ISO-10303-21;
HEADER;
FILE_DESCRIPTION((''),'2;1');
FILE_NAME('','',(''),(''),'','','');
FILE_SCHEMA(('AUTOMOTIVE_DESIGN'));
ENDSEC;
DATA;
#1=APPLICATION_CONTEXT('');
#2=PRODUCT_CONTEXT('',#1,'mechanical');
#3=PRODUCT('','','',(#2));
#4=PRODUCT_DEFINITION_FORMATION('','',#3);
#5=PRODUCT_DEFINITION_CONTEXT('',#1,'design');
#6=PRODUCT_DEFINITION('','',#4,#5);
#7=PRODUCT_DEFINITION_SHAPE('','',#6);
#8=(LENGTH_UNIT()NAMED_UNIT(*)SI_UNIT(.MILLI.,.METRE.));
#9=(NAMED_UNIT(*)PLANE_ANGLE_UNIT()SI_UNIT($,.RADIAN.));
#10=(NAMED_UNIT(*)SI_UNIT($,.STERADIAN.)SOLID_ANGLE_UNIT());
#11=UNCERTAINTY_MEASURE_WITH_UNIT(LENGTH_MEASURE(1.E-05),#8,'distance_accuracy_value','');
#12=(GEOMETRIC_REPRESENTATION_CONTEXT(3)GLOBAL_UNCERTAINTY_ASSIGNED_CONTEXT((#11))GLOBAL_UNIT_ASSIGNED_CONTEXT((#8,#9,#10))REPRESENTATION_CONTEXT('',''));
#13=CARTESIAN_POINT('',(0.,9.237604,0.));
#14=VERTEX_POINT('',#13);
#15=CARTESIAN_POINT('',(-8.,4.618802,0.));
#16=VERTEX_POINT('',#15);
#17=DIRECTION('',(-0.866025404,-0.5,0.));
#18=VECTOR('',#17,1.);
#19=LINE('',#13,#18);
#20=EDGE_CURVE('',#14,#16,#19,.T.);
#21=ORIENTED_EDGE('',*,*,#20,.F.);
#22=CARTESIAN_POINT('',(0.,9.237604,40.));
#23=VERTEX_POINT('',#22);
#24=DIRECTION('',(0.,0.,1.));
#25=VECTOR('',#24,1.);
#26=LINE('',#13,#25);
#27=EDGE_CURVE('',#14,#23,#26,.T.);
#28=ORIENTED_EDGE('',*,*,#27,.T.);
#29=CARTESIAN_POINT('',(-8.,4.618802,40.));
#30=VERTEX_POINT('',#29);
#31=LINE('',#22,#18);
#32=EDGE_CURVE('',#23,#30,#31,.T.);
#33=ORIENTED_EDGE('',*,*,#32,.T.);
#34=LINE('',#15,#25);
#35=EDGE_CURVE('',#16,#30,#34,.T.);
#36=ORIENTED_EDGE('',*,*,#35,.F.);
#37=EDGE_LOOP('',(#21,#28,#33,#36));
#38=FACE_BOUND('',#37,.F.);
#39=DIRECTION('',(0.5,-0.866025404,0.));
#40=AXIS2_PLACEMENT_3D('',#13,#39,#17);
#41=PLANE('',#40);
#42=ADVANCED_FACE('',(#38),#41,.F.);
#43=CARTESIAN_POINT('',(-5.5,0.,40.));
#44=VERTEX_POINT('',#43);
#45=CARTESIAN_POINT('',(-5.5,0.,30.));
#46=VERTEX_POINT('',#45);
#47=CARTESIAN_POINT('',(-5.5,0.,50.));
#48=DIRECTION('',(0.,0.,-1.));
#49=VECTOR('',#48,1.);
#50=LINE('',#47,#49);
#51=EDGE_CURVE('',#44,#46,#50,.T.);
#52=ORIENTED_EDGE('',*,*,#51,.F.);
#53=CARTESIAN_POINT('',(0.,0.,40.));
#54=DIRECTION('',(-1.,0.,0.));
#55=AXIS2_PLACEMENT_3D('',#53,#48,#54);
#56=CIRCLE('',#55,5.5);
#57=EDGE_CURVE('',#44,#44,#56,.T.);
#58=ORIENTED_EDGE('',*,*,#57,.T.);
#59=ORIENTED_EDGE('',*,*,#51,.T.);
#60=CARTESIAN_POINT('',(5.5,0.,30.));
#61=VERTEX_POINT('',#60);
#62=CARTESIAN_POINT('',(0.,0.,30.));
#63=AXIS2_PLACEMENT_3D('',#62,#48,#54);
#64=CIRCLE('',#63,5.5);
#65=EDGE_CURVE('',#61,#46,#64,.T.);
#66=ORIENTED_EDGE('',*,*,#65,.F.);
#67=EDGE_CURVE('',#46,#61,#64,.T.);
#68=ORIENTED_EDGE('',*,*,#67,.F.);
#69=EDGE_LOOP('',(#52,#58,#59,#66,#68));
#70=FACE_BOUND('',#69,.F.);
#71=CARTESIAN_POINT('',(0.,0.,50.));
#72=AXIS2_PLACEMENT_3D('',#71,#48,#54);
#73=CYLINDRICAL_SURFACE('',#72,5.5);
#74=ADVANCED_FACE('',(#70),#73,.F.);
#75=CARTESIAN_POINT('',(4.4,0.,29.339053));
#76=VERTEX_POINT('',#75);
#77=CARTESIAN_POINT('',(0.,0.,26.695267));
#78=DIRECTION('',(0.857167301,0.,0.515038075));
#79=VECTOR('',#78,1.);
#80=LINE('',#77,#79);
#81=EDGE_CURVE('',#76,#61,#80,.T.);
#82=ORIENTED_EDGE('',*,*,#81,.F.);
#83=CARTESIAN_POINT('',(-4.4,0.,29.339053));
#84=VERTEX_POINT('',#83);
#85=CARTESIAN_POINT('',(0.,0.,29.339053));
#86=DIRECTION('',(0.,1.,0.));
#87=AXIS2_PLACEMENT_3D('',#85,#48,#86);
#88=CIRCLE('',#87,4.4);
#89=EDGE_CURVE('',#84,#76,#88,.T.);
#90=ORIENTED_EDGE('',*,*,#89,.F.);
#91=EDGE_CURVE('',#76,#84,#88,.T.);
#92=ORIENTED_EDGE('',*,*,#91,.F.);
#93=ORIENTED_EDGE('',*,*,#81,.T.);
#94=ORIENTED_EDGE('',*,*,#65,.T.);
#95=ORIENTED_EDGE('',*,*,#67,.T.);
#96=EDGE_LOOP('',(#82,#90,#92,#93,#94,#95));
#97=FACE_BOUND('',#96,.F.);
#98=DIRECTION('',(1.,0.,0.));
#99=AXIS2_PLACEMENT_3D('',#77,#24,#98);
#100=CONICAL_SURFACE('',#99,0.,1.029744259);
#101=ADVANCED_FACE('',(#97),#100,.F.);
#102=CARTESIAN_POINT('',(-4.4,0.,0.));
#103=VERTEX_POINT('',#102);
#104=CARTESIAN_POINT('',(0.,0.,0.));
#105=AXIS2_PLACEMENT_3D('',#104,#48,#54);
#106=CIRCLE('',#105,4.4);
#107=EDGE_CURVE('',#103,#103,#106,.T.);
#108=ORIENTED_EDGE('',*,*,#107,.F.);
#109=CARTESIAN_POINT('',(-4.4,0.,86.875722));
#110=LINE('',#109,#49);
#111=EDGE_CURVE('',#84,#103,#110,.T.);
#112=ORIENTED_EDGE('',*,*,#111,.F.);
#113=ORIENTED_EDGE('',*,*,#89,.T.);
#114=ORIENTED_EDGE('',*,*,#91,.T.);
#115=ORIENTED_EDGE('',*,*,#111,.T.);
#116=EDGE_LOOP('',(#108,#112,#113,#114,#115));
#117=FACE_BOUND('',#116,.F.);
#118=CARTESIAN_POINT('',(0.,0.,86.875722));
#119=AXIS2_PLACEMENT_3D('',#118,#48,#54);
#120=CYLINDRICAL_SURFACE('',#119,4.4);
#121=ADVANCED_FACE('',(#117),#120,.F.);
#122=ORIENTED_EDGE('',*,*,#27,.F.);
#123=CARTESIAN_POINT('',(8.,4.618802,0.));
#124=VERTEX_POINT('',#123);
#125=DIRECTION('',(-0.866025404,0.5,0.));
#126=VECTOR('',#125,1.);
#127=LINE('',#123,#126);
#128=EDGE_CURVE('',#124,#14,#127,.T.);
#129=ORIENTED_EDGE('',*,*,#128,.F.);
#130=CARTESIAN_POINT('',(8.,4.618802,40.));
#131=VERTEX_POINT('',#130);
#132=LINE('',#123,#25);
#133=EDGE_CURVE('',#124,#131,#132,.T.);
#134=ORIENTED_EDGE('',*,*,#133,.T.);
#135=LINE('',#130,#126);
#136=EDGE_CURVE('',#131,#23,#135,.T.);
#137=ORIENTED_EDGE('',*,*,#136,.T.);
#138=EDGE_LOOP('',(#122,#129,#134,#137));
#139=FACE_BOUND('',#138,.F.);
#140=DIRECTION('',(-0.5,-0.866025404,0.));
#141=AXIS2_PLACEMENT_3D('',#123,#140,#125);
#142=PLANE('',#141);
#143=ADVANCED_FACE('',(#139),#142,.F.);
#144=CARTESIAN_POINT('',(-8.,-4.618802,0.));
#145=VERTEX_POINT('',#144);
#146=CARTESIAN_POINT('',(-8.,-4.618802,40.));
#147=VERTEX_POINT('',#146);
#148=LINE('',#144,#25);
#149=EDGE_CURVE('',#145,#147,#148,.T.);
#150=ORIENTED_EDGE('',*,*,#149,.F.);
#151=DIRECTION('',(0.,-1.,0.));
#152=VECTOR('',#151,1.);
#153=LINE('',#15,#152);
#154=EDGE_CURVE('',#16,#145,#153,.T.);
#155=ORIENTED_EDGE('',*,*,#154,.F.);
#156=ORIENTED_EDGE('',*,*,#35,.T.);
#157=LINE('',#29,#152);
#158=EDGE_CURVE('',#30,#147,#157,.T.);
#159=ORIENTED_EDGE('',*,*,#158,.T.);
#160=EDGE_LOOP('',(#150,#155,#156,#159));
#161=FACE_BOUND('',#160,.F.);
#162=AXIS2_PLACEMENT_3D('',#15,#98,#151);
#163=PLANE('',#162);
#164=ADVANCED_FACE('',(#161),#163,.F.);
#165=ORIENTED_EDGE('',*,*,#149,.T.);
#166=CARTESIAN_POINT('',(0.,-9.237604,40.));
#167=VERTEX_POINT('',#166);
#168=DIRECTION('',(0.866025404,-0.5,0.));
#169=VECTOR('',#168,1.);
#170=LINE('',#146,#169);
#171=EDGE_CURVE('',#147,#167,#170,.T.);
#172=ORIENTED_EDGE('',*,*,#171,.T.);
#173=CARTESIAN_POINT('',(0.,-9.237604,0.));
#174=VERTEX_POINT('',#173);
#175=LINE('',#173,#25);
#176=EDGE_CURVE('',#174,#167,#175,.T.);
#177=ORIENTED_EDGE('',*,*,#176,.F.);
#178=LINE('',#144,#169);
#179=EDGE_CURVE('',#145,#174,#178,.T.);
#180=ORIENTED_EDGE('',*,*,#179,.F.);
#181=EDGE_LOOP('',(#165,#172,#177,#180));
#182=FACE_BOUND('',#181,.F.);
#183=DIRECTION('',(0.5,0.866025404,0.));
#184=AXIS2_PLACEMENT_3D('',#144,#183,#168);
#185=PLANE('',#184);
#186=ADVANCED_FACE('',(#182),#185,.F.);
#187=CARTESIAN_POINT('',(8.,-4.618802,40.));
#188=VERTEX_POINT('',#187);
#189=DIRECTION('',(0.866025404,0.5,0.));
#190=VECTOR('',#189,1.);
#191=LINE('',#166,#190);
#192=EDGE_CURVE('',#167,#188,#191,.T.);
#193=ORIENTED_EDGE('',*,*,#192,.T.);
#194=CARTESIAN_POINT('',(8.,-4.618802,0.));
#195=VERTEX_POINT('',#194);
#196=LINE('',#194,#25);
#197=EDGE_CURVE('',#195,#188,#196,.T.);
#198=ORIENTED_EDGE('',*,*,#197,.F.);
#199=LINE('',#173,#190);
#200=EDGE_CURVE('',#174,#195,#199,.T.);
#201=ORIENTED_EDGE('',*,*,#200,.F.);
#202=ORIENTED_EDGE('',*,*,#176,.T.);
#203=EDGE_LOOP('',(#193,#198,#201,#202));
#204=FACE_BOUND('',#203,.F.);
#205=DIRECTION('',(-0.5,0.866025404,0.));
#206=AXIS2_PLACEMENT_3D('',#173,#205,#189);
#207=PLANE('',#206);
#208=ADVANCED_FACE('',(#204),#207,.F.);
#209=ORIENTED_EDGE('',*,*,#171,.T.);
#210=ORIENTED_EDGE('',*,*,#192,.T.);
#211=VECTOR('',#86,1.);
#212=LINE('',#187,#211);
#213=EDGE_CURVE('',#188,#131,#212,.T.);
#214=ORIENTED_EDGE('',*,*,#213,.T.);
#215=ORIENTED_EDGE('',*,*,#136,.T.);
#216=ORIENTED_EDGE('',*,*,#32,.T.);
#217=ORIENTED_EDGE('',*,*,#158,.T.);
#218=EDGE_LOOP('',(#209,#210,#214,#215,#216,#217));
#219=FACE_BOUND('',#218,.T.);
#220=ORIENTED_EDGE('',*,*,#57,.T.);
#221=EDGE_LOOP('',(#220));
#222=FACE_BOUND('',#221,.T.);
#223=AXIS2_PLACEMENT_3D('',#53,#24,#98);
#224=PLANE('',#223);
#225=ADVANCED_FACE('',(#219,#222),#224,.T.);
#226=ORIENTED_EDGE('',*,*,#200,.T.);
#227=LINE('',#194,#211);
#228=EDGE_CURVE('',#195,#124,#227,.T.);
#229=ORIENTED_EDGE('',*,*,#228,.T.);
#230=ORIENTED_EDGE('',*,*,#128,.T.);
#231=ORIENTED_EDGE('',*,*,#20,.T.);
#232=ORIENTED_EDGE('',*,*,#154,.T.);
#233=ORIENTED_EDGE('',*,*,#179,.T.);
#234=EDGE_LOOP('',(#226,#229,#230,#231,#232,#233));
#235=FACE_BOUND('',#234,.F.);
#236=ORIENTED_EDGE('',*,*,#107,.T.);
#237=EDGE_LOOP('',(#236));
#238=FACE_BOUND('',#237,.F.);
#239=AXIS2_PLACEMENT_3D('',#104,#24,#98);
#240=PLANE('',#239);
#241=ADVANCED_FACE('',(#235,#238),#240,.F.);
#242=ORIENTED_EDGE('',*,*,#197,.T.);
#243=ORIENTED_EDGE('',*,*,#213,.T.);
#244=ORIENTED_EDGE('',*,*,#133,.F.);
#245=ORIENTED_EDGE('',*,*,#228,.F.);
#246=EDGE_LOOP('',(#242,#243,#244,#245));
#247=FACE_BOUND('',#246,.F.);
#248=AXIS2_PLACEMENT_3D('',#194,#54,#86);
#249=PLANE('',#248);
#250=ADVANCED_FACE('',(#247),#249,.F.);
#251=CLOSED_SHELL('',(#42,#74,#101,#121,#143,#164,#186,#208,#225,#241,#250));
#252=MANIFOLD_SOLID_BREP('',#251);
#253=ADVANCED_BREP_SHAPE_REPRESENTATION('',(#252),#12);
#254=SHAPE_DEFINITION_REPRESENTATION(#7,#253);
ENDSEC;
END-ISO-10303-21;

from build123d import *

# Parameters (mm, degrees)
F1_DEPTH = 40
F3_D     = 11
F3_DEPTH = 10
F3_TIP   = 3.3047334047
F4_D     = 8.8


with BuildPart() as f1:
    # F0 (on Top) → F1 (new body)
    with BuildSketch(Plane.XY):
        Polygon((8, -4.6188021535), (8, 4.6188021535), (0, 9.237604307), (-8, 4.6188021535), (-8, -4.6188021535), (0, -9.237604307), align=None)
    extrude(amount=F1_DEPTH)

    # F3
    with Locations(Plane.XY.offset(40)):
        with Locations((0, 0)):
            Hole(F3_D / 2, depth=F3_DEPTH)
            with Locations((0, 0, -(F3_DEPTH + F3_TIP / 2))):  # 118° drill point
                Cone(0, F3_D / 2, F3_TIP, mode=Mode.SUBTRACT)

    # F4 (through all)
    with Locations(Plane.XY.offset(40)):
        with Locations((0, 0)):
            Hole(F4_D / 2)


solid = f1.part
